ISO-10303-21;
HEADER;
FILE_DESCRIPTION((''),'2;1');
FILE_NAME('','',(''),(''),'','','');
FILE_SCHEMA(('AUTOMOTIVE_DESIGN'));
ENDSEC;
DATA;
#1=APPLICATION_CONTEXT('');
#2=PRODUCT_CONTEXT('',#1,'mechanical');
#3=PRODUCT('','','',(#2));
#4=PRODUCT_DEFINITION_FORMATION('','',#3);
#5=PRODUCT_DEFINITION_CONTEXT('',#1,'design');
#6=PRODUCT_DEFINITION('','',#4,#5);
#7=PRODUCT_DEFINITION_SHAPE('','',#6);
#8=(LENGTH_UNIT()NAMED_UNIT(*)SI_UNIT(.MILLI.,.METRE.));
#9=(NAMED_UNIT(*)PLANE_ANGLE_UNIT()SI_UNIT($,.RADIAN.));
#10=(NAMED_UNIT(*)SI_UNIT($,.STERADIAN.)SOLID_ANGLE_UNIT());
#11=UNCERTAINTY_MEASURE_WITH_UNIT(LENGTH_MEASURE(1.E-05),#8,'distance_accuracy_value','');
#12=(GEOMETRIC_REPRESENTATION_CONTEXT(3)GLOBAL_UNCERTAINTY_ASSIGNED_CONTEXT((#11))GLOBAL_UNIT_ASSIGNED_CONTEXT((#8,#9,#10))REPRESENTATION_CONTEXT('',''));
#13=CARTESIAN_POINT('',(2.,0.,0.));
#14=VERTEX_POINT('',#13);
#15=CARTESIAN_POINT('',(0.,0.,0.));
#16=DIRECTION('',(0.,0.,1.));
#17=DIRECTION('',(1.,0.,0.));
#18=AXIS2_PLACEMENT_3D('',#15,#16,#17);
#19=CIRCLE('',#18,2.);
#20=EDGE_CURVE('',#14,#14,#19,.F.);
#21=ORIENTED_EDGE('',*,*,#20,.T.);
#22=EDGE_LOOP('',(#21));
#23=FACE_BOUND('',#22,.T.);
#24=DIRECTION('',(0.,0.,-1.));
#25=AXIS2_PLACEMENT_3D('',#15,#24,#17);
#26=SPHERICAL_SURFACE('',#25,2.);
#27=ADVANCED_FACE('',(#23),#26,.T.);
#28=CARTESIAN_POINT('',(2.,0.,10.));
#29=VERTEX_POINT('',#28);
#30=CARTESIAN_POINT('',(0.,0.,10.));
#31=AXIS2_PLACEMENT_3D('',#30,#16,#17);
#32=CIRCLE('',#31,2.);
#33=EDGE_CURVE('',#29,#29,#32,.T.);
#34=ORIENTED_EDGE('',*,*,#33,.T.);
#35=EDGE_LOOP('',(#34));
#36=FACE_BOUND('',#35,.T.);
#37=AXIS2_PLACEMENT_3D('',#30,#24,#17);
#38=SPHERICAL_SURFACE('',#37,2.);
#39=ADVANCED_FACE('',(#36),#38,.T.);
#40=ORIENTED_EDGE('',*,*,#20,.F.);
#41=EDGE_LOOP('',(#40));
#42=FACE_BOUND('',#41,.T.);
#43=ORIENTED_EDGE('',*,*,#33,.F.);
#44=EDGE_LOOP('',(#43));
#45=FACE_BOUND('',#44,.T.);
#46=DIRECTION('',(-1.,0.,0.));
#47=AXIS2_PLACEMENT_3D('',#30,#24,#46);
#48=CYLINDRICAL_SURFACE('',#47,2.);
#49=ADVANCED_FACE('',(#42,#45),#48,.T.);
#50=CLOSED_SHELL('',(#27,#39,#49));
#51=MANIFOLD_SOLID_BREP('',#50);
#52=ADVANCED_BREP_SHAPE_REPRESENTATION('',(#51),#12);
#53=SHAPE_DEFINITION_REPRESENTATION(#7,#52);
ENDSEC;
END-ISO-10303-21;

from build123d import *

# Parameters (mm, degrees)
SKETCH1_R           = 2
BOSS_EXTRUDE1_DEPTH = 10


with BuildPart() as part:
    # Sketch1 → Boss-Extrude1 (new body)
    with BuildSketch(Plane.XY):
        Circle(SKETCH1_R)
    extrude(amount=BOSS_EXTRUDE1_DEPTH)

    # Sketch2 → Revolve1 (revolve)
    with BuildSketch(Plane(origin=(0, 0, 0), x_dir=(1, 0, 0), z_dir=(0, 1, 0))):
        with BuildLine():
            Line((0, 2), (0, -2))
            ThreePointArc((0, -2), (2, 0), (0, 2))
        make_face()
        with BuildLine():
            Line((0, -8), (0, -12))
            ThreePointArc((0, -12), (2, -10), (0, -8))
        make_face()
    revolve(axis=Axis((0, 0, -2), (0, 0, 1)))


solid = part.part
